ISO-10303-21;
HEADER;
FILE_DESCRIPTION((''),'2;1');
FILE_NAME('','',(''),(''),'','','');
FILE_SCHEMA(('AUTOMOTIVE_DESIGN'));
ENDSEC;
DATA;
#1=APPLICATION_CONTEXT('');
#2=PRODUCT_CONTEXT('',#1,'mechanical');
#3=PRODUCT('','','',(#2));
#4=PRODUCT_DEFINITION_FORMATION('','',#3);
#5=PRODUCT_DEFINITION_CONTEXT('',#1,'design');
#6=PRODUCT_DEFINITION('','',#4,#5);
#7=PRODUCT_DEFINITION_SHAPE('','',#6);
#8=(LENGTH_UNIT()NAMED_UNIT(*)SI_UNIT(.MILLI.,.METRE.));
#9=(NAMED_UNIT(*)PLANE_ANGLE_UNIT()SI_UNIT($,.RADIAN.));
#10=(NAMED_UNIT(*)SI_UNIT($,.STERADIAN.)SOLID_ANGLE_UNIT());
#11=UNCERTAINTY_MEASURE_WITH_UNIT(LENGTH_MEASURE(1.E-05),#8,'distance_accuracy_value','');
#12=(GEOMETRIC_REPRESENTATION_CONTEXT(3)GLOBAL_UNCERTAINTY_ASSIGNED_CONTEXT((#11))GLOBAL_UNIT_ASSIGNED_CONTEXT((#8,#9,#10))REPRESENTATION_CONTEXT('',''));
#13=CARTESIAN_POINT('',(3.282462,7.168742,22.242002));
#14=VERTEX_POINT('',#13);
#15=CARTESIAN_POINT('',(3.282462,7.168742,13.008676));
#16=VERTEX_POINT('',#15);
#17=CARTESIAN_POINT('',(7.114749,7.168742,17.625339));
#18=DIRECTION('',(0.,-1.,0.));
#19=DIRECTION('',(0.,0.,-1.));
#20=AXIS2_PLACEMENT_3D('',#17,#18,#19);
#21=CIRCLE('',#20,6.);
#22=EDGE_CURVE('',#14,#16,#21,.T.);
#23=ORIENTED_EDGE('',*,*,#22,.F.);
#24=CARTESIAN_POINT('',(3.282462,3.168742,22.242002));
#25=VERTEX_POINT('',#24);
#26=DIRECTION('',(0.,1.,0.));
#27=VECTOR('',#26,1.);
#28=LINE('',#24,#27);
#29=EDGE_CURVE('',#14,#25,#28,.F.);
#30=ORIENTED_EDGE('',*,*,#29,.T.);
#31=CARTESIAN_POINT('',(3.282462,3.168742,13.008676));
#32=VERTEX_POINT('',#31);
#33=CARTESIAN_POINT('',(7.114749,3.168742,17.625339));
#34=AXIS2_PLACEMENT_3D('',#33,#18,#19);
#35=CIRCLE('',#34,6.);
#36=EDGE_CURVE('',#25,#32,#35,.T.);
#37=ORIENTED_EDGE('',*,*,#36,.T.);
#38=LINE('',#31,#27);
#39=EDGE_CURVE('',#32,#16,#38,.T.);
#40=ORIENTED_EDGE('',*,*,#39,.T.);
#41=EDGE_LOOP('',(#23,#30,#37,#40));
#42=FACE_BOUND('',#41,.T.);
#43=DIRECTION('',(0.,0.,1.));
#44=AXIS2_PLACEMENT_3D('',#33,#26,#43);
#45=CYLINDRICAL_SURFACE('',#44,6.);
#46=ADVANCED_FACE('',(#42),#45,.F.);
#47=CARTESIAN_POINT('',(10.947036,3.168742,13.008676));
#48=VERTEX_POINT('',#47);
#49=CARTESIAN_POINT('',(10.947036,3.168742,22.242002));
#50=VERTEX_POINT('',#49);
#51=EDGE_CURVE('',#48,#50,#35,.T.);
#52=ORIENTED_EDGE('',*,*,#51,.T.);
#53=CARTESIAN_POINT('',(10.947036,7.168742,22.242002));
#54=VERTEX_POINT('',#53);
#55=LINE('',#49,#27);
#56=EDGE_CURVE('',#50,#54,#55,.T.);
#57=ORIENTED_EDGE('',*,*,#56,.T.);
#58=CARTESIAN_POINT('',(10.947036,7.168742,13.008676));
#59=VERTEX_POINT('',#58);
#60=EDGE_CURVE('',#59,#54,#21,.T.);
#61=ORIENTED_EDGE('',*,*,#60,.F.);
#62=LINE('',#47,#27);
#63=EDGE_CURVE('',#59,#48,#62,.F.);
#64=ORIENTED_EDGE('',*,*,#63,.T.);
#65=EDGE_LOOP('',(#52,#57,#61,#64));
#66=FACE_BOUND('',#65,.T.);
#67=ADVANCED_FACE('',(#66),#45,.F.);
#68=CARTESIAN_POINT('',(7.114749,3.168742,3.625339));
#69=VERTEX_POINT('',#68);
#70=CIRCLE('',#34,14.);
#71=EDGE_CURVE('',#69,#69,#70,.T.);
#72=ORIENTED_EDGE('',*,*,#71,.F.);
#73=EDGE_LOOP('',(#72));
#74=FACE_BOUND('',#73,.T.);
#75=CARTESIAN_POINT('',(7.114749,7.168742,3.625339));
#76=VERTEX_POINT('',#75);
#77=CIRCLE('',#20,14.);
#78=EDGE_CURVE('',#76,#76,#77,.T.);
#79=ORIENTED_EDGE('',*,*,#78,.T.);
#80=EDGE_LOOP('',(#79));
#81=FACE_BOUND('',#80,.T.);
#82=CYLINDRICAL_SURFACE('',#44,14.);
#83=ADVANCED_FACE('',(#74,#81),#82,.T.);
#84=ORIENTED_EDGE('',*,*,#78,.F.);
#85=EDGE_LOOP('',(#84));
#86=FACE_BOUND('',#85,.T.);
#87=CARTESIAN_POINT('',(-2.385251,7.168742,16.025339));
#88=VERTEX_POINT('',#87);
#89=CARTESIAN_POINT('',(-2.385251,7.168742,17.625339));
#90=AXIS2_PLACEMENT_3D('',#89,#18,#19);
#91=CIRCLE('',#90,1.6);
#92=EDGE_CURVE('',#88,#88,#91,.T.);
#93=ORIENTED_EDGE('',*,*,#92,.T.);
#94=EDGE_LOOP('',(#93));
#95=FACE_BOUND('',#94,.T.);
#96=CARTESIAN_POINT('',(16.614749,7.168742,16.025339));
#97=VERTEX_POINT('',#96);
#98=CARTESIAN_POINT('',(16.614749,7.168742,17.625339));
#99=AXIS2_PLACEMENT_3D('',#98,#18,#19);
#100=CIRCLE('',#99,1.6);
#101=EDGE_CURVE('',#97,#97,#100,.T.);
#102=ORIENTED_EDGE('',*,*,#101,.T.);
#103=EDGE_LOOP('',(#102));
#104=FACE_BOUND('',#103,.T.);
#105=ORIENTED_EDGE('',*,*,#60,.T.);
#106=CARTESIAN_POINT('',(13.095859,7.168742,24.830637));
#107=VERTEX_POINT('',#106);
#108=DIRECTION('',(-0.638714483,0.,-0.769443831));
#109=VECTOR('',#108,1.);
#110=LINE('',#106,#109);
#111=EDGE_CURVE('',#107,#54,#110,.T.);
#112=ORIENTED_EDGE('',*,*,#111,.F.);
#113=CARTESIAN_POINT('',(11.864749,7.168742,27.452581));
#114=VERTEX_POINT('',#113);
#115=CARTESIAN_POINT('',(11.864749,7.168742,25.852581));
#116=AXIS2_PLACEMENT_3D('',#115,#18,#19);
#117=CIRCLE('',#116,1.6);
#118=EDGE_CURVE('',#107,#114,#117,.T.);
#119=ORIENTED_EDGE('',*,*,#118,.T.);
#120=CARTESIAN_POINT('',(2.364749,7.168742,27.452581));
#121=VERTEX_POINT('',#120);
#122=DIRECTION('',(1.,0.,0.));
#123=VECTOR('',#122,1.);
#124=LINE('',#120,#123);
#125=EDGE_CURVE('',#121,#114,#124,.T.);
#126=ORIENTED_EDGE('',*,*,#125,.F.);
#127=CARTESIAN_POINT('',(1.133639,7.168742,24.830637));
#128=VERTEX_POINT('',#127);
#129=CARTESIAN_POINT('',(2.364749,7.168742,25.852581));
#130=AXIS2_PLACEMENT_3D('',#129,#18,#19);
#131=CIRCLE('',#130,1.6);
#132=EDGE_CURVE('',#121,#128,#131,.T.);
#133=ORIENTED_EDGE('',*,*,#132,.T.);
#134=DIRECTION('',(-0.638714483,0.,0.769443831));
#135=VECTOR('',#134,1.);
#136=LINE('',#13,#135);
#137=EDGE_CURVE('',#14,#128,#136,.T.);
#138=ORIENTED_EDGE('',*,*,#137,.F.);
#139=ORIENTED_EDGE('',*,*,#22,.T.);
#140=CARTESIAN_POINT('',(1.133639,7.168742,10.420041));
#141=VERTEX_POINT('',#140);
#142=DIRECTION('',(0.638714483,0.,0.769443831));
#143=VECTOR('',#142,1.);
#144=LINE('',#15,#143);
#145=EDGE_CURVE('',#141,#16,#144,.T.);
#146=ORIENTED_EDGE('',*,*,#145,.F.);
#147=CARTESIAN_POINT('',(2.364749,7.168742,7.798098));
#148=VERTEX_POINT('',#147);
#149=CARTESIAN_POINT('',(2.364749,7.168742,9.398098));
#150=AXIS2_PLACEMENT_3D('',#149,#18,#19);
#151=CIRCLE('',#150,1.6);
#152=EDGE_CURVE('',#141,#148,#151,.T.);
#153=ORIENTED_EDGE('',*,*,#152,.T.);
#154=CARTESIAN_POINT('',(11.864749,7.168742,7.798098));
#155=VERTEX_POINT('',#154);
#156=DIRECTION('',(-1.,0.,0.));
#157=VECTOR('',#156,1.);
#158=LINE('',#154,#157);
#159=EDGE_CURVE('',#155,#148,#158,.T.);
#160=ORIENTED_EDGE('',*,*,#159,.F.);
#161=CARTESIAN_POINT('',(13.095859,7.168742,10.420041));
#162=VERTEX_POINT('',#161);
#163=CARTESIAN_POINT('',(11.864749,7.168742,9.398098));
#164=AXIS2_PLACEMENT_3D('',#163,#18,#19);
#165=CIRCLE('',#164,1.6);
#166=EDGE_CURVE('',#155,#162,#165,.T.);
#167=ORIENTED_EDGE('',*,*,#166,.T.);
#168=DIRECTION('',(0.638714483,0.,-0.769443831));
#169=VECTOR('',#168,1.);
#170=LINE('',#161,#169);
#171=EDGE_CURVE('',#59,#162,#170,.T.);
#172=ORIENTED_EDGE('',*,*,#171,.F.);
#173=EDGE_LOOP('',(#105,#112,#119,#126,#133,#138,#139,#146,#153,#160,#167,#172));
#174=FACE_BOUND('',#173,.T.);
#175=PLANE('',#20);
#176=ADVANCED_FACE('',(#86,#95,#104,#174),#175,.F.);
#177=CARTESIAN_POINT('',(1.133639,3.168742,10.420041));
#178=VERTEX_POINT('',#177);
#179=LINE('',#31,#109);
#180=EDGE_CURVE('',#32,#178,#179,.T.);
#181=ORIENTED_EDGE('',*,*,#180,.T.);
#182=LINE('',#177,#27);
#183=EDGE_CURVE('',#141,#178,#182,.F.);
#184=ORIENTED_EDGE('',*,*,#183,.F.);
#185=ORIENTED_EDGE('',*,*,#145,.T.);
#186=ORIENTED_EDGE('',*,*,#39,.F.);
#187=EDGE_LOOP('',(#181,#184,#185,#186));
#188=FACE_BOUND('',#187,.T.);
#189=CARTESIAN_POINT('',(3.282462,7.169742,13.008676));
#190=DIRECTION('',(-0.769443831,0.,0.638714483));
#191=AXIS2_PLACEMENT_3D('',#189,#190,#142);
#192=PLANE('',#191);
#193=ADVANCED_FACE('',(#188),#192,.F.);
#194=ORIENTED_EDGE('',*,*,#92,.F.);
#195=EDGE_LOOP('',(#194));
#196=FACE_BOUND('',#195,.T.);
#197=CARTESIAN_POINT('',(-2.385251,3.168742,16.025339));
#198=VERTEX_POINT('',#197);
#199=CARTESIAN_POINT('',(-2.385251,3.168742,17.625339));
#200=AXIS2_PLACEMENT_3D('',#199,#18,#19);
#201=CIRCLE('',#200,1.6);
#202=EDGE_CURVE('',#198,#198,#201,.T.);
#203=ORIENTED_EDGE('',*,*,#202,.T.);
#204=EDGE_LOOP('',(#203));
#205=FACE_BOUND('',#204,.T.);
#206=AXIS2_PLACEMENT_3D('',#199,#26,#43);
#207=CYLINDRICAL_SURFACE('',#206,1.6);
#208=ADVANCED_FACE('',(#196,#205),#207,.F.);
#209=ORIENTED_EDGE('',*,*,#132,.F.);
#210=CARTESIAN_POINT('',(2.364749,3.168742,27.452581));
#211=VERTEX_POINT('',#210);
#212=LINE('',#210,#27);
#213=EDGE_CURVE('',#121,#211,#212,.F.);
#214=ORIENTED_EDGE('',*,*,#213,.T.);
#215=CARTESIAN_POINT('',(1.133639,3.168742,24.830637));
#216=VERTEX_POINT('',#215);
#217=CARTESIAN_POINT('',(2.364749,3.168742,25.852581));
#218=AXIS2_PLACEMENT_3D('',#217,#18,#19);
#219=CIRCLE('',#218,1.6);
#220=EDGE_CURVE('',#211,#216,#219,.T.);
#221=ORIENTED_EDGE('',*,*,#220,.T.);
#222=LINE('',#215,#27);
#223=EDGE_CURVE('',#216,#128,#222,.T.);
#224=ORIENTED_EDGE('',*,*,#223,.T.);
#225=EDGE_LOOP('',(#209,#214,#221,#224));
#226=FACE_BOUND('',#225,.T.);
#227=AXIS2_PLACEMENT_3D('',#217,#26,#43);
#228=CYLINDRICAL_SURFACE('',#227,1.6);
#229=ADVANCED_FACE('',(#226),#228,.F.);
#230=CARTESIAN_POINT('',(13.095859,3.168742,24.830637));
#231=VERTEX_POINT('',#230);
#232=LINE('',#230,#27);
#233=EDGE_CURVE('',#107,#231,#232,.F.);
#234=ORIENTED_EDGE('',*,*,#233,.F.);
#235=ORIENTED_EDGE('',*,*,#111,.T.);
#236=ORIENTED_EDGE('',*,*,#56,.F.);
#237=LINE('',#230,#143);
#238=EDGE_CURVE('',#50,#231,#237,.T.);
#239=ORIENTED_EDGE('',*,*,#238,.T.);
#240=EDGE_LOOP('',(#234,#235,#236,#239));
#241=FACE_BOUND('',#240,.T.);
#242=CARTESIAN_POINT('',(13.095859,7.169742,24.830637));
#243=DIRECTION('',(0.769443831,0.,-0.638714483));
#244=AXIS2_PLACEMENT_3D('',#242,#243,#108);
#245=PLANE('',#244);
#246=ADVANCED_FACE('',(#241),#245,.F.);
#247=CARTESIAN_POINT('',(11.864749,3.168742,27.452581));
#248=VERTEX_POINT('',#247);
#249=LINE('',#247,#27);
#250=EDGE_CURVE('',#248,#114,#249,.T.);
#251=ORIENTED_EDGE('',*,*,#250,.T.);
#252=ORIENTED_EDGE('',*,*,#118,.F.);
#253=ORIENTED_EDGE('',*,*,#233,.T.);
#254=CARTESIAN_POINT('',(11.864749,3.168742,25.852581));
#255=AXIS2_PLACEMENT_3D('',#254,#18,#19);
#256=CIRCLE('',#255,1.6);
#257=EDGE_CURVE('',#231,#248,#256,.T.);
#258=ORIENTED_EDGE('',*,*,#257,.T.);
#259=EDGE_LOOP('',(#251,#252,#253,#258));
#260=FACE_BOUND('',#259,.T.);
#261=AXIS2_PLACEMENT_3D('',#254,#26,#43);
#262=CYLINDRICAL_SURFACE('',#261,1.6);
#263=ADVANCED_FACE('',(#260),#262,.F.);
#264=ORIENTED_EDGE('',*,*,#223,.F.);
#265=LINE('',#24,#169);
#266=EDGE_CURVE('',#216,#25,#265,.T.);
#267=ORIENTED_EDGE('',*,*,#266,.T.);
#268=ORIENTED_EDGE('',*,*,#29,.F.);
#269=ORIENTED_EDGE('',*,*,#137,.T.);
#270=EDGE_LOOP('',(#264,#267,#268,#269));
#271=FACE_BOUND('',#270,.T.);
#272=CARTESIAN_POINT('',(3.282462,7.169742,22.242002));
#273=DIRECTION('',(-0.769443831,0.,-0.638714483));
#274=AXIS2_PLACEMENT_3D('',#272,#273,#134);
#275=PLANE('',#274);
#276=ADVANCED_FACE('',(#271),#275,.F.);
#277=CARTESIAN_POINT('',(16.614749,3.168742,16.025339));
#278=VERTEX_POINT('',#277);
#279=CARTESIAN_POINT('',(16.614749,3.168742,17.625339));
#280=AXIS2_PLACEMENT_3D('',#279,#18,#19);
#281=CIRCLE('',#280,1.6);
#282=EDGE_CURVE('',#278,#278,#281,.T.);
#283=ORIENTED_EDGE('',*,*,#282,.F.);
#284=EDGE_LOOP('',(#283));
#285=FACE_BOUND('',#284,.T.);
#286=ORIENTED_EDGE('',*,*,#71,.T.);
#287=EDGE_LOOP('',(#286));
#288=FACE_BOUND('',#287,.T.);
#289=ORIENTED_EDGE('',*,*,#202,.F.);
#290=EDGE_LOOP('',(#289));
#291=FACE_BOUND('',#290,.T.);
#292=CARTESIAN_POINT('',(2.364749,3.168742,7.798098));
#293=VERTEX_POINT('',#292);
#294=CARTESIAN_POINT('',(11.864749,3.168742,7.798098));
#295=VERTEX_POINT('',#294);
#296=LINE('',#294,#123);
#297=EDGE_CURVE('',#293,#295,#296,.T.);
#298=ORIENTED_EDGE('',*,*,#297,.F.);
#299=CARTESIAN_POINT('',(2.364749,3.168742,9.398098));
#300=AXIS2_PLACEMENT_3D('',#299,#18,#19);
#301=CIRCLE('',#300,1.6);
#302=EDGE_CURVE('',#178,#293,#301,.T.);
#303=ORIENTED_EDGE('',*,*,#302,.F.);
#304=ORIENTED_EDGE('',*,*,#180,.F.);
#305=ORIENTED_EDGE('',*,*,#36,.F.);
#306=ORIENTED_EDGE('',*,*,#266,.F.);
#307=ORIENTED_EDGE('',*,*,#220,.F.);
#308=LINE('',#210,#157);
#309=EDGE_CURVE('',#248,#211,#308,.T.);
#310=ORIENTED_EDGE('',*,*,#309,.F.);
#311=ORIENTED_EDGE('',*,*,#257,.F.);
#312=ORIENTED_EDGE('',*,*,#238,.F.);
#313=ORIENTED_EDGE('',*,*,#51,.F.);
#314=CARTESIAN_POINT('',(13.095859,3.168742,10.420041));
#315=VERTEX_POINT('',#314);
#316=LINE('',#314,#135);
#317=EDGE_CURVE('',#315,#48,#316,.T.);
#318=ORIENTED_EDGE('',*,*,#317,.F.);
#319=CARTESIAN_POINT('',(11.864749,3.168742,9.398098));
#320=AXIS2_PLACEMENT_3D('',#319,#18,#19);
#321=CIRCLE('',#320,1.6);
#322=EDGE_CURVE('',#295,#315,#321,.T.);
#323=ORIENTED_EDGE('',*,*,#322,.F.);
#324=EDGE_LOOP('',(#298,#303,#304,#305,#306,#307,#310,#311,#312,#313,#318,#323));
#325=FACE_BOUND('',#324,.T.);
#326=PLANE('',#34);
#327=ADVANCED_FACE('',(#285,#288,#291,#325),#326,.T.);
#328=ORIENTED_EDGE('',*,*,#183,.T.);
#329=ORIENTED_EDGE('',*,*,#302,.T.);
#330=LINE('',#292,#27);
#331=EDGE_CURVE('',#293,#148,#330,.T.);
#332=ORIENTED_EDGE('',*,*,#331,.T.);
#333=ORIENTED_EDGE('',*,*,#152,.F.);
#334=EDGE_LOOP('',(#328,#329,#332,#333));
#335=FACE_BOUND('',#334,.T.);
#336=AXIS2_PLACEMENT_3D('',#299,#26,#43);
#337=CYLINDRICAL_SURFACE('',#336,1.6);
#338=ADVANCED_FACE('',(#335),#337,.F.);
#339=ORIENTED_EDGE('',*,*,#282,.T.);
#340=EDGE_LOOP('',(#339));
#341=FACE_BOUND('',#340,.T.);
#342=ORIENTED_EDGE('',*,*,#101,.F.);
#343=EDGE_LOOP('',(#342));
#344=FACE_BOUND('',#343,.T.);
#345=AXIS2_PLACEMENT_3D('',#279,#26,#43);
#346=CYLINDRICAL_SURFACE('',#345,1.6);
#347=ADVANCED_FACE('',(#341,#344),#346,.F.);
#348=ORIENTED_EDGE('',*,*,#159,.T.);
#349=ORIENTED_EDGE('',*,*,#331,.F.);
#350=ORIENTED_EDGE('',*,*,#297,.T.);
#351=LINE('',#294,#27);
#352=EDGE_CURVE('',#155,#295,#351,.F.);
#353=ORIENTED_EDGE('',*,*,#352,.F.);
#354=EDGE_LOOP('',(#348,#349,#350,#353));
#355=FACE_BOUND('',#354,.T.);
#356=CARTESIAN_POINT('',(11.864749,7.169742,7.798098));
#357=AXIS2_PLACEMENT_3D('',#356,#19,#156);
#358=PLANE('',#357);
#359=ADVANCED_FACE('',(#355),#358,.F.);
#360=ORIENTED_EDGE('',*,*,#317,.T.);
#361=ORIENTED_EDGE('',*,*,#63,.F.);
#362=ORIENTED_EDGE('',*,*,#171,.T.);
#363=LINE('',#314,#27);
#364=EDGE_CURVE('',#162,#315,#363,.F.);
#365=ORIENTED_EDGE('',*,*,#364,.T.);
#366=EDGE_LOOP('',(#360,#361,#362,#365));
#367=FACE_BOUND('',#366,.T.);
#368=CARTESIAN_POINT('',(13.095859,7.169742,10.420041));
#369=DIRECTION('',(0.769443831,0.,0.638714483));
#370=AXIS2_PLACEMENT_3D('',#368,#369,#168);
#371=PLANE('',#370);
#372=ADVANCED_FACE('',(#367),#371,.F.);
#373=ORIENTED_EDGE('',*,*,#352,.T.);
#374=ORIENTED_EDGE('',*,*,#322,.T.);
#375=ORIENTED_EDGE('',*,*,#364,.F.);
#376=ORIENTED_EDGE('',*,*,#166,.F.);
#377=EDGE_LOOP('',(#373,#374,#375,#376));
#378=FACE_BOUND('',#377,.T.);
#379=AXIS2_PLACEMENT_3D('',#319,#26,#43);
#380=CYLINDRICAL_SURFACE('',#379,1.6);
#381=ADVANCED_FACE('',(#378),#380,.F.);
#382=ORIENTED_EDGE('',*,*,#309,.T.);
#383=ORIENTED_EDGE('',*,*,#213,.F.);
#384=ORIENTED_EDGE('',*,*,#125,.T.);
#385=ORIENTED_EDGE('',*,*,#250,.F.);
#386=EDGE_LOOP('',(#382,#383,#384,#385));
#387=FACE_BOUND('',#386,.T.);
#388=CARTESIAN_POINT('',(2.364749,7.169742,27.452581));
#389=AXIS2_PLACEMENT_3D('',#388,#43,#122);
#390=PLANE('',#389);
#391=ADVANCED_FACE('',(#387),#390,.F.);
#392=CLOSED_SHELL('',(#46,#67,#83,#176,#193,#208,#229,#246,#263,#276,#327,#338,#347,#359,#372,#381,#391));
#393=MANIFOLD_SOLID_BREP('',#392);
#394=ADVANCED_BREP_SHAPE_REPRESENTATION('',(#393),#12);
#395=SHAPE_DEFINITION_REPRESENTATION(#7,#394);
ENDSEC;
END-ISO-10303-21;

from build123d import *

# Parameters (mm, degrees)
SKETCH1_R           = 14
SKETCH1_R_2         = 6
SKETCH1_R_3         = 1.6
BOSS_EXTRUDE1_DEPTH = 4
CUT_EXTRUDE1_REACH  = 6


with BuildPart() as part:
    # Sketch1 → Boss-Extrude1 (new body)
    with BuildSketch(Plane.XZ.offset(-7.168741666)):
        with Locations((7.114749013, 17.625339305)):
            Circle(SKETCH1_R)
        with Locations((7.114749013, 17.625339305)):
            Circle(SKETCH1_R_2, mode=Mode.SUBTRACT)
        with Locations((2.364749013, 25.852580641)):
            Circle(SKETCH1_R_3, mode=Mode.SUBTRACT)
        with Locations((-2.385250987, 17.625339305)):
            Circle(SKETCH1_R_3, mode=Mode.SUBTRACT)
        with Locations((2.364749013, 9.398097969)):
            Circle(SKETCH1_R_3, mode=Mode.SUBTRACT)
        with Locations((11.864749013, 9.398097969)):
            Circle(SKETCH1_R_3, mode=Mode.SUBTRACT)
        with Locations((16.614749013, 17.625339305)):
            Circle(SKETCH1_R_3, mode=Mode.SUBTRACT)
        with Locations((11.864749013, 25.852580641)):
            Circle(SKETCH1_R_3, mode=Mode.SUBTRACT)
    extrude(amount=BOSS_EXTRUDE1_DEPTH)

    # Sketch2 → Cut-Extrude1 (cut, up to next)
    with BuildSketch(Plane.XZ.offset(-3.168741666), mode=Mode.PRIVATE) as cut_extrude1_sk1:
        Polygon((11.864749013, 7.798097969), (2.364749013, 7.798097969), (1.133638883, 10.420041142), (3.282462114, 13.008676319), (10.947035911, 13.008676319), (13.095859142, 10.420041142), align=None)
    cut_extrude1_tool1 = extrude(cut_extrude1_sk1.sketch, amount=-CUT_EXTRUDE1_REACH, mode=Mode.PRIVATE) & part.part
    add(cut_extrude1_tool1.solids().sort_by_distance((7.114749, 3.168742, 10.326739))[0], mode=Mode.SUBTRACT)
    # Sketch2 → Cut-Extrude1 (cut, up to next)
    with BuildSketch(Plane.XZ.offset(-3.168741666), mode=Mode.PRIVATE) as cut_extrude1_sk2:
        Polygon((1.133638883, 24.830637468), (2.364749013, 27.452580641), (11.864749013, 27.452580641), (13.095859142, 24.830637468), (10.947035911, 22.242002291), (3.282462114, 22.242002291), align=None)
    cut_extrude1_tool2 = extrude(cut_extrude1_sk2.sketch, amount=-CUT_EXTRUDE1_REACH, mode=Mode.PRIVATE) & part.part
    add(cut_extrude1_tool2.solids().sort_by_distance((7.114749, 3.168742, 24.923939))[0], mode=Mode.SUBTRACT)


solid = part.part
